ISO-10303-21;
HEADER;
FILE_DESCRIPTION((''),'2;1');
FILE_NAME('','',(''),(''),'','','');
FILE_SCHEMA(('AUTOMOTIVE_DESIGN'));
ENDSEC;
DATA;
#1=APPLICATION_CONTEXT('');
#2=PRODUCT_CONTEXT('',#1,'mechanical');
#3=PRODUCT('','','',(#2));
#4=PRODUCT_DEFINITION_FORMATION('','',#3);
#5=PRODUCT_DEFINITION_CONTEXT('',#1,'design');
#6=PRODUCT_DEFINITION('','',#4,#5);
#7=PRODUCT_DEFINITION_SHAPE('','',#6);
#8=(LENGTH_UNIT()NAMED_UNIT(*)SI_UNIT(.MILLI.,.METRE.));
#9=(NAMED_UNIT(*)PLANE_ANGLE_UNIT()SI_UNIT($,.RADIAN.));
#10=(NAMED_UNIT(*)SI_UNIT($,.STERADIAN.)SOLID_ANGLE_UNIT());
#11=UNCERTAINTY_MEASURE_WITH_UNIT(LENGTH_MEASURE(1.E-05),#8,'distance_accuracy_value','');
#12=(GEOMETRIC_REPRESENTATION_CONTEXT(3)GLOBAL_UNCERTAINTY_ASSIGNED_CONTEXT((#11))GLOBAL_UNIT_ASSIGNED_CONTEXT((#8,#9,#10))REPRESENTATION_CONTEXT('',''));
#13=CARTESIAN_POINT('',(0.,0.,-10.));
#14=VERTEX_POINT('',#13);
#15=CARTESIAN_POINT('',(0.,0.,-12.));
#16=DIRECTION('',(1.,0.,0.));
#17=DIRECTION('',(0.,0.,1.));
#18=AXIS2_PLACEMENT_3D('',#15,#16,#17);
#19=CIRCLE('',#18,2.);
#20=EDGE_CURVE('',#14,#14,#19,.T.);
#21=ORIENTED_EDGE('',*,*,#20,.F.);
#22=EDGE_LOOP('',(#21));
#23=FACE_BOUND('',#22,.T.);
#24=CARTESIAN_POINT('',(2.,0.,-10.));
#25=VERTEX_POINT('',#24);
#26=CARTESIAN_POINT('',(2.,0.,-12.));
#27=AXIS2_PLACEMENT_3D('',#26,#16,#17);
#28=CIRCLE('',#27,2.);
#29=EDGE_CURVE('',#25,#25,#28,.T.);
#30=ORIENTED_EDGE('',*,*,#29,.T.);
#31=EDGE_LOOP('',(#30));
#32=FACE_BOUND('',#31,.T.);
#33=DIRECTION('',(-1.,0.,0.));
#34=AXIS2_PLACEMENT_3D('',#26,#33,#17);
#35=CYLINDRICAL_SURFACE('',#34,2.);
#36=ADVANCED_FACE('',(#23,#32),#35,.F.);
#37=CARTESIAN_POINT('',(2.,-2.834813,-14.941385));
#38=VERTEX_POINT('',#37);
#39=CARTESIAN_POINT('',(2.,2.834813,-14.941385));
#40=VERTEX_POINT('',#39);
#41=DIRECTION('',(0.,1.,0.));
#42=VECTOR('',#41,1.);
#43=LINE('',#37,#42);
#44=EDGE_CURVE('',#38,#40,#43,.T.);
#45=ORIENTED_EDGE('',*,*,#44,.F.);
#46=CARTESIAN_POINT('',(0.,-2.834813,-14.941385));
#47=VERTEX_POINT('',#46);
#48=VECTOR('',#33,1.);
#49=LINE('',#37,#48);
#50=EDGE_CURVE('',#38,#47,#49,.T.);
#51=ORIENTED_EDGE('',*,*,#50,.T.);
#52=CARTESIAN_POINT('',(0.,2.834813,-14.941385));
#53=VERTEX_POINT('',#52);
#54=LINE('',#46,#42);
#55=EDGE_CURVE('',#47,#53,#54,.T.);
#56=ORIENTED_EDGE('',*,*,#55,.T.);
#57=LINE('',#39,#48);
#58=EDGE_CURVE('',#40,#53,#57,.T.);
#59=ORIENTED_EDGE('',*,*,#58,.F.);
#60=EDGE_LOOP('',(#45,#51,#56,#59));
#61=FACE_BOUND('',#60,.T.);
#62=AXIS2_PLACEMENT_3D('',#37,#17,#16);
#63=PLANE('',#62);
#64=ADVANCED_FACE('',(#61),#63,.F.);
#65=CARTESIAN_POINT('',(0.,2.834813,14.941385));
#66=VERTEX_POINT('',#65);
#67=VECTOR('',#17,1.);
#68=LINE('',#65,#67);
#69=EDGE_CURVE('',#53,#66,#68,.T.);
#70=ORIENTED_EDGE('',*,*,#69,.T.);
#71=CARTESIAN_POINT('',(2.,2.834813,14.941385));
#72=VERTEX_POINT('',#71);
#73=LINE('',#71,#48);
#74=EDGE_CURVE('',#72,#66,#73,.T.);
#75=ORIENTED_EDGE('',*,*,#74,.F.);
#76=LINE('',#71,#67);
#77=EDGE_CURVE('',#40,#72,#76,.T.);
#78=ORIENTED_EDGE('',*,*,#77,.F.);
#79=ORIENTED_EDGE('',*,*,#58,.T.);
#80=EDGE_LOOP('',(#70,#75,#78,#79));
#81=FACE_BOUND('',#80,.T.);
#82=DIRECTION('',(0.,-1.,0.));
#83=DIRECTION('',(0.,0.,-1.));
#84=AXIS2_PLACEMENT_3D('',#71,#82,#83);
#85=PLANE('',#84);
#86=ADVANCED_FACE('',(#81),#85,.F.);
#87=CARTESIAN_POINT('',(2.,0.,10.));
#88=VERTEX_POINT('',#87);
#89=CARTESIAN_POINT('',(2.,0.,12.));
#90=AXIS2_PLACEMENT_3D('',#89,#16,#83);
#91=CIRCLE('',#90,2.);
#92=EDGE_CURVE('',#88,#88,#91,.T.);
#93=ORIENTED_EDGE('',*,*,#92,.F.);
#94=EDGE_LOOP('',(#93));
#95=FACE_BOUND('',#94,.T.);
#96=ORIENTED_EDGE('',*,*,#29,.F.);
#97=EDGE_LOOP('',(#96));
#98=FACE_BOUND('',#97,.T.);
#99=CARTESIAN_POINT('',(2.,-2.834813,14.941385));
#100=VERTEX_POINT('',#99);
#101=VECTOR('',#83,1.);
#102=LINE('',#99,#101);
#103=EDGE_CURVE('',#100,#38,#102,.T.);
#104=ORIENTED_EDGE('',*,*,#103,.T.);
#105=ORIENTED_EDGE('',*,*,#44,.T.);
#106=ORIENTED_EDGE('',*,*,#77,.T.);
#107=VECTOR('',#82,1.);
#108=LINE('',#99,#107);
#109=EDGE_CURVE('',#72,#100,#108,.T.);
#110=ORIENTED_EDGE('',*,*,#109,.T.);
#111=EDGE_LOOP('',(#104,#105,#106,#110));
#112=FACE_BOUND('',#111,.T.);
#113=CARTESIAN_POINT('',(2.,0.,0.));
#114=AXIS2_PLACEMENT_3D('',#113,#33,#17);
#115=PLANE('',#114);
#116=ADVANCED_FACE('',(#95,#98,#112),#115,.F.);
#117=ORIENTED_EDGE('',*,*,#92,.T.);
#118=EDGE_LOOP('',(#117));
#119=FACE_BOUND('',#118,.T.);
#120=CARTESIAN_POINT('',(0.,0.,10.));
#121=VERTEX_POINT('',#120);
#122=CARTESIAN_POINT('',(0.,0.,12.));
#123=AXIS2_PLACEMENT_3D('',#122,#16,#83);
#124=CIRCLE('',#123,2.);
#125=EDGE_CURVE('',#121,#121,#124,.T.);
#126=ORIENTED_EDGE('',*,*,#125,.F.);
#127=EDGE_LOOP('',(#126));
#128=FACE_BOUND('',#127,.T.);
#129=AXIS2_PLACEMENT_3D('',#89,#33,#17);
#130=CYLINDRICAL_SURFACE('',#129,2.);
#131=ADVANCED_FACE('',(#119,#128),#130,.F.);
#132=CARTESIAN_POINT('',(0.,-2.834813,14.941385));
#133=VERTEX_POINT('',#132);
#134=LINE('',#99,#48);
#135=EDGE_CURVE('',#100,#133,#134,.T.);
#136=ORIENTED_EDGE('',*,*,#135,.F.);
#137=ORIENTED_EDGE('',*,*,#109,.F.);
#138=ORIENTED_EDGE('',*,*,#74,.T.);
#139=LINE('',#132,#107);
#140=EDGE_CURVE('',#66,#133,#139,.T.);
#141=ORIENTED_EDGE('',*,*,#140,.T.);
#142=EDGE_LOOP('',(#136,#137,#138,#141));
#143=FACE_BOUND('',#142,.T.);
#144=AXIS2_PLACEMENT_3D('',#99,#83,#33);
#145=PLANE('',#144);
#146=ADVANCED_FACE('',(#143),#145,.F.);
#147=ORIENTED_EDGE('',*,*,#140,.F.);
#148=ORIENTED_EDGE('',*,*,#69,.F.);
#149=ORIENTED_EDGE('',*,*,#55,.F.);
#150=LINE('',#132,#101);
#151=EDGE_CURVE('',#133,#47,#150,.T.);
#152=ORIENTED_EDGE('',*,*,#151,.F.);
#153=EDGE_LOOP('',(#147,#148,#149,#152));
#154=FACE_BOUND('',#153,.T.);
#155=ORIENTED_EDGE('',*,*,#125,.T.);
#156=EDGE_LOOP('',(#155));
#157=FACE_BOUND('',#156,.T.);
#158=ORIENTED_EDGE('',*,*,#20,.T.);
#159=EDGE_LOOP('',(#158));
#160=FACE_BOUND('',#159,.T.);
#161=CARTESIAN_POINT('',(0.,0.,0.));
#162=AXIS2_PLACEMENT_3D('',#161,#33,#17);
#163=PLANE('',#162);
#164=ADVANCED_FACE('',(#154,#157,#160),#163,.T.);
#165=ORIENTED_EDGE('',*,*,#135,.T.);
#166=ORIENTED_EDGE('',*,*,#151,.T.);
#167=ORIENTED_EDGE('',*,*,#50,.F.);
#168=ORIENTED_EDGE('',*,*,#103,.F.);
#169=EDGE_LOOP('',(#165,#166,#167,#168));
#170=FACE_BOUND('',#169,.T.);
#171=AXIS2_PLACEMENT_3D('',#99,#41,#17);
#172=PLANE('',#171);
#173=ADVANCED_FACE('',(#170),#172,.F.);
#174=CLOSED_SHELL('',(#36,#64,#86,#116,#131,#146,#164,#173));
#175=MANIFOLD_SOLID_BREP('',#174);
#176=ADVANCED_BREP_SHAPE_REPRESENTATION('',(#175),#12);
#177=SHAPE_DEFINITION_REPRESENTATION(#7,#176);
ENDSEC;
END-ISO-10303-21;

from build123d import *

# Parameters (mm, degrees)
SKETCH1_W           = 29.88277087
SKETCH1_H           = 5.669626998
SKETCH1_R           = 2
BOSS_EXTRUDE1_DEPTH = 2


with BuildPart() as part:
    # Sketch1 → Boss-Extrude1 (new body)
    with BuildSketch(Plane(origin=(0, 0, 0), x_dir=(0, 0, -1), z_dir=(1, 0, 0))):
        Rectangle(SKETCH1_W, SKETCH1_H)
        with Locations((-12, 0)):
            Circle(SKETCH1_R, mode=Mode.SUBTRACT)
        with Locations(Location((12, 0, 0), (0, 0, 180))):
            Circle(SKETCH1_R, mode=Mode.SUBTRACT)
    extrude(amount=BOSS_EXTRUDE1_DEPTH)


solid = part.part
